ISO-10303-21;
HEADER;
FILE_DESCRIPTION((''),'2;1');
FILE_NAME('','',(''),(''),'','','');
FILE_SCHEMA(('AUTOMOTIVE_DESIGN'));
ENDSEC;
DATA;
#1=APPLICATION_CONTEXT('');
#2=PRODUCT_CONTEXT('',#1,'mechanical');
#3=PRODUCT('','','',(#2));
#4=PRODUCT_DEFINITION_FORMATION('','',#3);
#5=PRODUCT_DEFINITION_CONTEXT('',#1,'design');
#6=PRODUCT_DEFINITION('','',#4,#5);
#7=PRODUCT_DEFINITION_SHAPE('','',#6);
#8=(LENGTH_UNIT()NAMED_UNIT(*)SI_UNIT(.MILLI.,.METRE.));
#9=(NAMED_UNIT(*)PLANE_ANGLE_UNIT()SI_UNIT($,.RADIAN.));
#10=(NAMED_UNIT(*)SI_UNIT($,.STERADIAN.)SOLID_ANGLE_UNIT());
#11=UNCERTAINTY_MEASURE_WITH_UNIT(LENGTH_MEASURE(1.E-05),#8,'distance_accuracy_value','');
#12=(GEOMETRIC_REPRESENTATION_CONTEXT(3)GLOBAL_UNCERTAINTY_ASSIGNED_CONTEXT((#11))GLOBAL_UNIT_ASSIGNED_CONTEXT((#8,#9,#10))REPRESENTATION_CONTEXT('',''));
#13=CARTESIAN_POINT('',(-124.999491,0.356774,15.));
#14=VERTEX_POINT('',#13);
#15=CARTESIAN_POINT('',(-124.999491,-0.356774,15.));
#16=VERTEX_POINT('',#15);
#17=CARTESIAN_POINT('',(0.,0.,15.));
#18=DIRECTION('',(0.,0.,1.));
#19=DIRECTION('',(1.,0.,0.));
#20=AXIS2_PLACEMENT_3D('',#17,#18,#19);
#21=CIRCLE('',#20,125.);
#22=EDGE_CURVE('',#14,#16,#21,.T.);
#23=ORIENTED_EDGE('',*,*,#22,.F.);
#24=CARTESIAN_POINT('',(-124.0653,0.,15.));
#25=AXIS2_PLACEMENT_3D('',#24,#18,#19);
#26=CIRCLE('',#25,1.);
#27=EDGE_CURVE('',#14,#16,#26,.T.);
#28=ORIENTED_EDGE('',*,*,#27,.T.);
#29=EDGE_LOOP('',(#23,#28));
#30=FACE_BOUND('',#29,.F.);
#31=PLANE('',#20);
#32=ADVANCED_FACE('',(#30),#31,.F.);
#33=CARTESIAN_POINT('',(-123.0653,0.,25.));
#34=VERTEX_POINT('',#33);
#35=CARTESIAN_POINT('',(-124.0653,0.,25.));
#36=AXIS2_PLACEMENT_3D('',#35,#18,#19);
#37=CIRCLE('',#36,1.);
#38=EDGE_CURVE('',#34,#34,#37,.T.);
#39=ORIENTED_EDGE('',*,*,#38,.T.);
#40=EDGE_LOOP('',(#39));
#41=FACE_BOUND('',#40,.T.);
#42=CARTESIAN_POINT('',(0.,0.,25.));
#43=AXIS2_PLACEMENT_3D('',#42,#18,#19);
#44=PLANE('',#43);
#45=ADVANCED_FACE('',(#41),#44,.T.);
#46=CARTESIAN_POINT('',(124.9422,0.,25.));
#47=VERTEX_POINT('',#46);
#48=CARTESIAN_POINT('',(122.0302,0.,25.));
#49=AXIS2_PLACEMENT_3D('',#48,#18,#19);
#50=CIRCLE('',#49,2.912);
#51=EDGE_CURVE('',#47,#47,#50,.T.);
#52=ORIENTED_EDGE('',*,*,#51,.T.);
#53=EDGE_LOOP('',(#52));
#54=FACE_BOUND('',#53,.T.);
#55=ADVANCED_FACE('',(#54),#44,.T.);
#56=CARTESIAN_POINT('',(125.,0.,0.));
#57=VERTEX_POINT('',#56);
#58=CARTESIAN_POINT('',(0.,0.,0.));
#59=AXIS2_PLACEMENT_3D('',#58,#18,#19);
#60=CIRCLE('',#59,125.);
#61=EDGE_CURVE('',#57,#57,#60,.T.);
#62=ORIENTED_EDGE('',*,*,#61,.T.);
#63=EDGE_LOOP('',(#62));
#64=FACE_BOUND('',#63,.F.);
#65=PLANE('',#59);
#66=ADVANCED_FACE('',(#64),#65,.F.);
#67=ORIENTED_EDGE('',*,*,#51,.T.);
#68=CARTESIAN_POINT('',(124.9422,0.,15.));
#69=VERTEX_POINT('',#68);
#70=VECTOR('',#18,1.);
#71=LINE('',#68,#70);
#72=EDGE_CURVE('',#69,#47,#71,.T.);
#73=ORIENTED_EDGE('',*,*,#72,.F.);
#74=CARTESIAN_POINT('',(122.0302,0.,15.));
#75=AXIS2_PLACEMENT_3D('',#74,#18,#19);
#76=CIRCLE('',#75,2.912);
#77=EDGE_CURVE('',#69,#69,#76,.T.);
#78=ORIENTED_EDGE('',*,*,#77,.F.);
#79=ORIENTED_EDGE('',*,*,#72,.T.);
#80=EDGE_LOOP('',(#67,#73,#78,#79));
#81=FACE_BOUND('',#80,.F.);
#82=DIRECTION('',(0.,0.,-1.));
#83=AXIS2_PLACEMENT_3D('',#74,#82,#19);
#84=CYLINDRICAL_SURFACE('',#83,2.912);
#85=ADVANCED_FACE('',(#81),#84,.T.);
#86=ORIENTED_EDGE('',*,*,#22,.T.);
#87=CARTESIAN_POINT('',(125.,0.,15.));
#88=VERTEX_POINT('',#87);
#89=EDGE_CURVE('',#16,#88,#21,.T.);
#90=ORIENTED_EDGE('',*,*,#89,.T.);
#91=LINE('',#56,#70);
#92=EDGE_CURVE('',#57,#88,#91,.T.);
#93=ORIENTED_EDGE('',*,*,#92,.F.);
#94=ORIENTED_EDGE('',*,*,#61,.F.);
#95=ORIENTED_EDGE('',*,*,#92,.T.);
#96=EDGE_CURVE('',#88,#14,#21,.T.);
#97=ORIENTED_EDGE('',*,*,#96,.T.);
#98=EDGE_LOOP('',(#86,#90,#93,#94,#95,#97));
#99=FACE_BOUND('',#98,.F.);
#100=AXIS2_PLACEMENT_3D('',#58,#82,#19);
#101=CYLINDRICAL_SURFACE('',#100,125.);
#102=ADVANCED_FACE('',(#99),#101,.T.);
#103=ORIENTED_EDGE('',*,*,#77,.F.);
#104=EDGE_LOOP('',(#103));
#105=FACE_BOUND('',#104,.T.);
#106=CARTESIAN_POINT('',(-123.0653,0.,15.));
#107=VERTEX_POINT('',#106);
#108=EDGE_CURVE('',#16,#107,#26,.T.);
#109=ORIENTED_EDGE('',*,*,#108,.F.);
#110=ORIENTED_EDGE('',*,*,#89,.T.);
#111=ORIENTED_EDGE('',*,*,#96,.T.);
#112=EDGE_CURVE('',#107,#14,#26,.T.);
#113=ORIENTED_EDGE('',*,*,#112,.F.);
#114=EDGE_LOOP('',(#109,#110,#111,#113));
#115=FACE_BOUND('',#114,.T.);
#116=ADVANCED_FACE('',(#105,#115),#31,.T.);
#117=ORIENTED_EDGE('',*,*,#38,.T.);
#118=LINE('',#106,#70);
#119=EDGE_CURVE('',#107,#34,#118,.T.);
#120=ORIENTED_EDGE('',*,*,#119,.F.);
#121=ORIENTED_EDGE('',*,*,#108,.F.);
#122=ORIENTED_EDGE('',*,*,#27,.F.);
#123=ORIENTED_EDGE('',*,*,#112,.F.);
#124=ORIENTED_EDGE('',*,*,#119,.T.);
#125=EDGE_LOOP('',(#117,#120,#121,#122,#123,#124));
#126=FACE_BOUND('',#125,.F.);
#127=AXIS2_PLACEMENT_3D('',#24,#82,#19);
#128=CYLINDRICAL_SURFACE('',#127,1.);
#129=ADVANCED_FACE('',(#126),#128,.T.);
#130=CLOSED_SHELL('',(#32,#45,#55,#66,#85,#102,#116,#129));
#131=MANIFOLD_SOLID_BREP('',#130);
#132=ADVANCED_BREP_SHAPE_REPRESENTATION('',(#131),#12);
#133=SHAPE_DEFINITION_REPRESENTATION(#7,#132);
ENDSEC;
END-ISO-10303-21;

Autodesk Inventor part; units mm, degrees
ref_plane "YZ Plane" through (0, 0, 0) normal (1, 0, 0) x (0, 1, 0)
ref_plane "XZ Plane" through (0, 0, 0) normal (0, 1, 0) x (-1, 0, 0)
ref_plane "XY Plane" through (0, 0, 0) normal (0, 0, 1) x (1, 0, 0)
sketch "Sketch1" plane through (0, 0, 0) normal (0, 0, 1) x (1, 0, 0)
  circle A0 centre (0, 0) radius 125
  dimension "d0" = 250
extrude "Extrusion1" add sketch "Sketch1" along normal blind 15
sketch "Sketch2" plane through (0, 0, 15) normal (0, 0, 1) x (1, 0, 0)
  circle A0 centre (-124.0653, 0) radius 1
  point P0 (0, 0)
  dimension "d3" = 2
extrude "Extrusion2" add sketch "Sketch2" along normal blind 10
sketch "Sketch3" plane through (0, 0, 15) normal (0, 0, 1) x (1, 0, 0)
  circle A0 centre (122.0302, 0) radius 2.912
  point P0 (0, 0)
extrude "Extrusion3" add sketch "Sketch3" along normal blind 10
properties material "Steel"
